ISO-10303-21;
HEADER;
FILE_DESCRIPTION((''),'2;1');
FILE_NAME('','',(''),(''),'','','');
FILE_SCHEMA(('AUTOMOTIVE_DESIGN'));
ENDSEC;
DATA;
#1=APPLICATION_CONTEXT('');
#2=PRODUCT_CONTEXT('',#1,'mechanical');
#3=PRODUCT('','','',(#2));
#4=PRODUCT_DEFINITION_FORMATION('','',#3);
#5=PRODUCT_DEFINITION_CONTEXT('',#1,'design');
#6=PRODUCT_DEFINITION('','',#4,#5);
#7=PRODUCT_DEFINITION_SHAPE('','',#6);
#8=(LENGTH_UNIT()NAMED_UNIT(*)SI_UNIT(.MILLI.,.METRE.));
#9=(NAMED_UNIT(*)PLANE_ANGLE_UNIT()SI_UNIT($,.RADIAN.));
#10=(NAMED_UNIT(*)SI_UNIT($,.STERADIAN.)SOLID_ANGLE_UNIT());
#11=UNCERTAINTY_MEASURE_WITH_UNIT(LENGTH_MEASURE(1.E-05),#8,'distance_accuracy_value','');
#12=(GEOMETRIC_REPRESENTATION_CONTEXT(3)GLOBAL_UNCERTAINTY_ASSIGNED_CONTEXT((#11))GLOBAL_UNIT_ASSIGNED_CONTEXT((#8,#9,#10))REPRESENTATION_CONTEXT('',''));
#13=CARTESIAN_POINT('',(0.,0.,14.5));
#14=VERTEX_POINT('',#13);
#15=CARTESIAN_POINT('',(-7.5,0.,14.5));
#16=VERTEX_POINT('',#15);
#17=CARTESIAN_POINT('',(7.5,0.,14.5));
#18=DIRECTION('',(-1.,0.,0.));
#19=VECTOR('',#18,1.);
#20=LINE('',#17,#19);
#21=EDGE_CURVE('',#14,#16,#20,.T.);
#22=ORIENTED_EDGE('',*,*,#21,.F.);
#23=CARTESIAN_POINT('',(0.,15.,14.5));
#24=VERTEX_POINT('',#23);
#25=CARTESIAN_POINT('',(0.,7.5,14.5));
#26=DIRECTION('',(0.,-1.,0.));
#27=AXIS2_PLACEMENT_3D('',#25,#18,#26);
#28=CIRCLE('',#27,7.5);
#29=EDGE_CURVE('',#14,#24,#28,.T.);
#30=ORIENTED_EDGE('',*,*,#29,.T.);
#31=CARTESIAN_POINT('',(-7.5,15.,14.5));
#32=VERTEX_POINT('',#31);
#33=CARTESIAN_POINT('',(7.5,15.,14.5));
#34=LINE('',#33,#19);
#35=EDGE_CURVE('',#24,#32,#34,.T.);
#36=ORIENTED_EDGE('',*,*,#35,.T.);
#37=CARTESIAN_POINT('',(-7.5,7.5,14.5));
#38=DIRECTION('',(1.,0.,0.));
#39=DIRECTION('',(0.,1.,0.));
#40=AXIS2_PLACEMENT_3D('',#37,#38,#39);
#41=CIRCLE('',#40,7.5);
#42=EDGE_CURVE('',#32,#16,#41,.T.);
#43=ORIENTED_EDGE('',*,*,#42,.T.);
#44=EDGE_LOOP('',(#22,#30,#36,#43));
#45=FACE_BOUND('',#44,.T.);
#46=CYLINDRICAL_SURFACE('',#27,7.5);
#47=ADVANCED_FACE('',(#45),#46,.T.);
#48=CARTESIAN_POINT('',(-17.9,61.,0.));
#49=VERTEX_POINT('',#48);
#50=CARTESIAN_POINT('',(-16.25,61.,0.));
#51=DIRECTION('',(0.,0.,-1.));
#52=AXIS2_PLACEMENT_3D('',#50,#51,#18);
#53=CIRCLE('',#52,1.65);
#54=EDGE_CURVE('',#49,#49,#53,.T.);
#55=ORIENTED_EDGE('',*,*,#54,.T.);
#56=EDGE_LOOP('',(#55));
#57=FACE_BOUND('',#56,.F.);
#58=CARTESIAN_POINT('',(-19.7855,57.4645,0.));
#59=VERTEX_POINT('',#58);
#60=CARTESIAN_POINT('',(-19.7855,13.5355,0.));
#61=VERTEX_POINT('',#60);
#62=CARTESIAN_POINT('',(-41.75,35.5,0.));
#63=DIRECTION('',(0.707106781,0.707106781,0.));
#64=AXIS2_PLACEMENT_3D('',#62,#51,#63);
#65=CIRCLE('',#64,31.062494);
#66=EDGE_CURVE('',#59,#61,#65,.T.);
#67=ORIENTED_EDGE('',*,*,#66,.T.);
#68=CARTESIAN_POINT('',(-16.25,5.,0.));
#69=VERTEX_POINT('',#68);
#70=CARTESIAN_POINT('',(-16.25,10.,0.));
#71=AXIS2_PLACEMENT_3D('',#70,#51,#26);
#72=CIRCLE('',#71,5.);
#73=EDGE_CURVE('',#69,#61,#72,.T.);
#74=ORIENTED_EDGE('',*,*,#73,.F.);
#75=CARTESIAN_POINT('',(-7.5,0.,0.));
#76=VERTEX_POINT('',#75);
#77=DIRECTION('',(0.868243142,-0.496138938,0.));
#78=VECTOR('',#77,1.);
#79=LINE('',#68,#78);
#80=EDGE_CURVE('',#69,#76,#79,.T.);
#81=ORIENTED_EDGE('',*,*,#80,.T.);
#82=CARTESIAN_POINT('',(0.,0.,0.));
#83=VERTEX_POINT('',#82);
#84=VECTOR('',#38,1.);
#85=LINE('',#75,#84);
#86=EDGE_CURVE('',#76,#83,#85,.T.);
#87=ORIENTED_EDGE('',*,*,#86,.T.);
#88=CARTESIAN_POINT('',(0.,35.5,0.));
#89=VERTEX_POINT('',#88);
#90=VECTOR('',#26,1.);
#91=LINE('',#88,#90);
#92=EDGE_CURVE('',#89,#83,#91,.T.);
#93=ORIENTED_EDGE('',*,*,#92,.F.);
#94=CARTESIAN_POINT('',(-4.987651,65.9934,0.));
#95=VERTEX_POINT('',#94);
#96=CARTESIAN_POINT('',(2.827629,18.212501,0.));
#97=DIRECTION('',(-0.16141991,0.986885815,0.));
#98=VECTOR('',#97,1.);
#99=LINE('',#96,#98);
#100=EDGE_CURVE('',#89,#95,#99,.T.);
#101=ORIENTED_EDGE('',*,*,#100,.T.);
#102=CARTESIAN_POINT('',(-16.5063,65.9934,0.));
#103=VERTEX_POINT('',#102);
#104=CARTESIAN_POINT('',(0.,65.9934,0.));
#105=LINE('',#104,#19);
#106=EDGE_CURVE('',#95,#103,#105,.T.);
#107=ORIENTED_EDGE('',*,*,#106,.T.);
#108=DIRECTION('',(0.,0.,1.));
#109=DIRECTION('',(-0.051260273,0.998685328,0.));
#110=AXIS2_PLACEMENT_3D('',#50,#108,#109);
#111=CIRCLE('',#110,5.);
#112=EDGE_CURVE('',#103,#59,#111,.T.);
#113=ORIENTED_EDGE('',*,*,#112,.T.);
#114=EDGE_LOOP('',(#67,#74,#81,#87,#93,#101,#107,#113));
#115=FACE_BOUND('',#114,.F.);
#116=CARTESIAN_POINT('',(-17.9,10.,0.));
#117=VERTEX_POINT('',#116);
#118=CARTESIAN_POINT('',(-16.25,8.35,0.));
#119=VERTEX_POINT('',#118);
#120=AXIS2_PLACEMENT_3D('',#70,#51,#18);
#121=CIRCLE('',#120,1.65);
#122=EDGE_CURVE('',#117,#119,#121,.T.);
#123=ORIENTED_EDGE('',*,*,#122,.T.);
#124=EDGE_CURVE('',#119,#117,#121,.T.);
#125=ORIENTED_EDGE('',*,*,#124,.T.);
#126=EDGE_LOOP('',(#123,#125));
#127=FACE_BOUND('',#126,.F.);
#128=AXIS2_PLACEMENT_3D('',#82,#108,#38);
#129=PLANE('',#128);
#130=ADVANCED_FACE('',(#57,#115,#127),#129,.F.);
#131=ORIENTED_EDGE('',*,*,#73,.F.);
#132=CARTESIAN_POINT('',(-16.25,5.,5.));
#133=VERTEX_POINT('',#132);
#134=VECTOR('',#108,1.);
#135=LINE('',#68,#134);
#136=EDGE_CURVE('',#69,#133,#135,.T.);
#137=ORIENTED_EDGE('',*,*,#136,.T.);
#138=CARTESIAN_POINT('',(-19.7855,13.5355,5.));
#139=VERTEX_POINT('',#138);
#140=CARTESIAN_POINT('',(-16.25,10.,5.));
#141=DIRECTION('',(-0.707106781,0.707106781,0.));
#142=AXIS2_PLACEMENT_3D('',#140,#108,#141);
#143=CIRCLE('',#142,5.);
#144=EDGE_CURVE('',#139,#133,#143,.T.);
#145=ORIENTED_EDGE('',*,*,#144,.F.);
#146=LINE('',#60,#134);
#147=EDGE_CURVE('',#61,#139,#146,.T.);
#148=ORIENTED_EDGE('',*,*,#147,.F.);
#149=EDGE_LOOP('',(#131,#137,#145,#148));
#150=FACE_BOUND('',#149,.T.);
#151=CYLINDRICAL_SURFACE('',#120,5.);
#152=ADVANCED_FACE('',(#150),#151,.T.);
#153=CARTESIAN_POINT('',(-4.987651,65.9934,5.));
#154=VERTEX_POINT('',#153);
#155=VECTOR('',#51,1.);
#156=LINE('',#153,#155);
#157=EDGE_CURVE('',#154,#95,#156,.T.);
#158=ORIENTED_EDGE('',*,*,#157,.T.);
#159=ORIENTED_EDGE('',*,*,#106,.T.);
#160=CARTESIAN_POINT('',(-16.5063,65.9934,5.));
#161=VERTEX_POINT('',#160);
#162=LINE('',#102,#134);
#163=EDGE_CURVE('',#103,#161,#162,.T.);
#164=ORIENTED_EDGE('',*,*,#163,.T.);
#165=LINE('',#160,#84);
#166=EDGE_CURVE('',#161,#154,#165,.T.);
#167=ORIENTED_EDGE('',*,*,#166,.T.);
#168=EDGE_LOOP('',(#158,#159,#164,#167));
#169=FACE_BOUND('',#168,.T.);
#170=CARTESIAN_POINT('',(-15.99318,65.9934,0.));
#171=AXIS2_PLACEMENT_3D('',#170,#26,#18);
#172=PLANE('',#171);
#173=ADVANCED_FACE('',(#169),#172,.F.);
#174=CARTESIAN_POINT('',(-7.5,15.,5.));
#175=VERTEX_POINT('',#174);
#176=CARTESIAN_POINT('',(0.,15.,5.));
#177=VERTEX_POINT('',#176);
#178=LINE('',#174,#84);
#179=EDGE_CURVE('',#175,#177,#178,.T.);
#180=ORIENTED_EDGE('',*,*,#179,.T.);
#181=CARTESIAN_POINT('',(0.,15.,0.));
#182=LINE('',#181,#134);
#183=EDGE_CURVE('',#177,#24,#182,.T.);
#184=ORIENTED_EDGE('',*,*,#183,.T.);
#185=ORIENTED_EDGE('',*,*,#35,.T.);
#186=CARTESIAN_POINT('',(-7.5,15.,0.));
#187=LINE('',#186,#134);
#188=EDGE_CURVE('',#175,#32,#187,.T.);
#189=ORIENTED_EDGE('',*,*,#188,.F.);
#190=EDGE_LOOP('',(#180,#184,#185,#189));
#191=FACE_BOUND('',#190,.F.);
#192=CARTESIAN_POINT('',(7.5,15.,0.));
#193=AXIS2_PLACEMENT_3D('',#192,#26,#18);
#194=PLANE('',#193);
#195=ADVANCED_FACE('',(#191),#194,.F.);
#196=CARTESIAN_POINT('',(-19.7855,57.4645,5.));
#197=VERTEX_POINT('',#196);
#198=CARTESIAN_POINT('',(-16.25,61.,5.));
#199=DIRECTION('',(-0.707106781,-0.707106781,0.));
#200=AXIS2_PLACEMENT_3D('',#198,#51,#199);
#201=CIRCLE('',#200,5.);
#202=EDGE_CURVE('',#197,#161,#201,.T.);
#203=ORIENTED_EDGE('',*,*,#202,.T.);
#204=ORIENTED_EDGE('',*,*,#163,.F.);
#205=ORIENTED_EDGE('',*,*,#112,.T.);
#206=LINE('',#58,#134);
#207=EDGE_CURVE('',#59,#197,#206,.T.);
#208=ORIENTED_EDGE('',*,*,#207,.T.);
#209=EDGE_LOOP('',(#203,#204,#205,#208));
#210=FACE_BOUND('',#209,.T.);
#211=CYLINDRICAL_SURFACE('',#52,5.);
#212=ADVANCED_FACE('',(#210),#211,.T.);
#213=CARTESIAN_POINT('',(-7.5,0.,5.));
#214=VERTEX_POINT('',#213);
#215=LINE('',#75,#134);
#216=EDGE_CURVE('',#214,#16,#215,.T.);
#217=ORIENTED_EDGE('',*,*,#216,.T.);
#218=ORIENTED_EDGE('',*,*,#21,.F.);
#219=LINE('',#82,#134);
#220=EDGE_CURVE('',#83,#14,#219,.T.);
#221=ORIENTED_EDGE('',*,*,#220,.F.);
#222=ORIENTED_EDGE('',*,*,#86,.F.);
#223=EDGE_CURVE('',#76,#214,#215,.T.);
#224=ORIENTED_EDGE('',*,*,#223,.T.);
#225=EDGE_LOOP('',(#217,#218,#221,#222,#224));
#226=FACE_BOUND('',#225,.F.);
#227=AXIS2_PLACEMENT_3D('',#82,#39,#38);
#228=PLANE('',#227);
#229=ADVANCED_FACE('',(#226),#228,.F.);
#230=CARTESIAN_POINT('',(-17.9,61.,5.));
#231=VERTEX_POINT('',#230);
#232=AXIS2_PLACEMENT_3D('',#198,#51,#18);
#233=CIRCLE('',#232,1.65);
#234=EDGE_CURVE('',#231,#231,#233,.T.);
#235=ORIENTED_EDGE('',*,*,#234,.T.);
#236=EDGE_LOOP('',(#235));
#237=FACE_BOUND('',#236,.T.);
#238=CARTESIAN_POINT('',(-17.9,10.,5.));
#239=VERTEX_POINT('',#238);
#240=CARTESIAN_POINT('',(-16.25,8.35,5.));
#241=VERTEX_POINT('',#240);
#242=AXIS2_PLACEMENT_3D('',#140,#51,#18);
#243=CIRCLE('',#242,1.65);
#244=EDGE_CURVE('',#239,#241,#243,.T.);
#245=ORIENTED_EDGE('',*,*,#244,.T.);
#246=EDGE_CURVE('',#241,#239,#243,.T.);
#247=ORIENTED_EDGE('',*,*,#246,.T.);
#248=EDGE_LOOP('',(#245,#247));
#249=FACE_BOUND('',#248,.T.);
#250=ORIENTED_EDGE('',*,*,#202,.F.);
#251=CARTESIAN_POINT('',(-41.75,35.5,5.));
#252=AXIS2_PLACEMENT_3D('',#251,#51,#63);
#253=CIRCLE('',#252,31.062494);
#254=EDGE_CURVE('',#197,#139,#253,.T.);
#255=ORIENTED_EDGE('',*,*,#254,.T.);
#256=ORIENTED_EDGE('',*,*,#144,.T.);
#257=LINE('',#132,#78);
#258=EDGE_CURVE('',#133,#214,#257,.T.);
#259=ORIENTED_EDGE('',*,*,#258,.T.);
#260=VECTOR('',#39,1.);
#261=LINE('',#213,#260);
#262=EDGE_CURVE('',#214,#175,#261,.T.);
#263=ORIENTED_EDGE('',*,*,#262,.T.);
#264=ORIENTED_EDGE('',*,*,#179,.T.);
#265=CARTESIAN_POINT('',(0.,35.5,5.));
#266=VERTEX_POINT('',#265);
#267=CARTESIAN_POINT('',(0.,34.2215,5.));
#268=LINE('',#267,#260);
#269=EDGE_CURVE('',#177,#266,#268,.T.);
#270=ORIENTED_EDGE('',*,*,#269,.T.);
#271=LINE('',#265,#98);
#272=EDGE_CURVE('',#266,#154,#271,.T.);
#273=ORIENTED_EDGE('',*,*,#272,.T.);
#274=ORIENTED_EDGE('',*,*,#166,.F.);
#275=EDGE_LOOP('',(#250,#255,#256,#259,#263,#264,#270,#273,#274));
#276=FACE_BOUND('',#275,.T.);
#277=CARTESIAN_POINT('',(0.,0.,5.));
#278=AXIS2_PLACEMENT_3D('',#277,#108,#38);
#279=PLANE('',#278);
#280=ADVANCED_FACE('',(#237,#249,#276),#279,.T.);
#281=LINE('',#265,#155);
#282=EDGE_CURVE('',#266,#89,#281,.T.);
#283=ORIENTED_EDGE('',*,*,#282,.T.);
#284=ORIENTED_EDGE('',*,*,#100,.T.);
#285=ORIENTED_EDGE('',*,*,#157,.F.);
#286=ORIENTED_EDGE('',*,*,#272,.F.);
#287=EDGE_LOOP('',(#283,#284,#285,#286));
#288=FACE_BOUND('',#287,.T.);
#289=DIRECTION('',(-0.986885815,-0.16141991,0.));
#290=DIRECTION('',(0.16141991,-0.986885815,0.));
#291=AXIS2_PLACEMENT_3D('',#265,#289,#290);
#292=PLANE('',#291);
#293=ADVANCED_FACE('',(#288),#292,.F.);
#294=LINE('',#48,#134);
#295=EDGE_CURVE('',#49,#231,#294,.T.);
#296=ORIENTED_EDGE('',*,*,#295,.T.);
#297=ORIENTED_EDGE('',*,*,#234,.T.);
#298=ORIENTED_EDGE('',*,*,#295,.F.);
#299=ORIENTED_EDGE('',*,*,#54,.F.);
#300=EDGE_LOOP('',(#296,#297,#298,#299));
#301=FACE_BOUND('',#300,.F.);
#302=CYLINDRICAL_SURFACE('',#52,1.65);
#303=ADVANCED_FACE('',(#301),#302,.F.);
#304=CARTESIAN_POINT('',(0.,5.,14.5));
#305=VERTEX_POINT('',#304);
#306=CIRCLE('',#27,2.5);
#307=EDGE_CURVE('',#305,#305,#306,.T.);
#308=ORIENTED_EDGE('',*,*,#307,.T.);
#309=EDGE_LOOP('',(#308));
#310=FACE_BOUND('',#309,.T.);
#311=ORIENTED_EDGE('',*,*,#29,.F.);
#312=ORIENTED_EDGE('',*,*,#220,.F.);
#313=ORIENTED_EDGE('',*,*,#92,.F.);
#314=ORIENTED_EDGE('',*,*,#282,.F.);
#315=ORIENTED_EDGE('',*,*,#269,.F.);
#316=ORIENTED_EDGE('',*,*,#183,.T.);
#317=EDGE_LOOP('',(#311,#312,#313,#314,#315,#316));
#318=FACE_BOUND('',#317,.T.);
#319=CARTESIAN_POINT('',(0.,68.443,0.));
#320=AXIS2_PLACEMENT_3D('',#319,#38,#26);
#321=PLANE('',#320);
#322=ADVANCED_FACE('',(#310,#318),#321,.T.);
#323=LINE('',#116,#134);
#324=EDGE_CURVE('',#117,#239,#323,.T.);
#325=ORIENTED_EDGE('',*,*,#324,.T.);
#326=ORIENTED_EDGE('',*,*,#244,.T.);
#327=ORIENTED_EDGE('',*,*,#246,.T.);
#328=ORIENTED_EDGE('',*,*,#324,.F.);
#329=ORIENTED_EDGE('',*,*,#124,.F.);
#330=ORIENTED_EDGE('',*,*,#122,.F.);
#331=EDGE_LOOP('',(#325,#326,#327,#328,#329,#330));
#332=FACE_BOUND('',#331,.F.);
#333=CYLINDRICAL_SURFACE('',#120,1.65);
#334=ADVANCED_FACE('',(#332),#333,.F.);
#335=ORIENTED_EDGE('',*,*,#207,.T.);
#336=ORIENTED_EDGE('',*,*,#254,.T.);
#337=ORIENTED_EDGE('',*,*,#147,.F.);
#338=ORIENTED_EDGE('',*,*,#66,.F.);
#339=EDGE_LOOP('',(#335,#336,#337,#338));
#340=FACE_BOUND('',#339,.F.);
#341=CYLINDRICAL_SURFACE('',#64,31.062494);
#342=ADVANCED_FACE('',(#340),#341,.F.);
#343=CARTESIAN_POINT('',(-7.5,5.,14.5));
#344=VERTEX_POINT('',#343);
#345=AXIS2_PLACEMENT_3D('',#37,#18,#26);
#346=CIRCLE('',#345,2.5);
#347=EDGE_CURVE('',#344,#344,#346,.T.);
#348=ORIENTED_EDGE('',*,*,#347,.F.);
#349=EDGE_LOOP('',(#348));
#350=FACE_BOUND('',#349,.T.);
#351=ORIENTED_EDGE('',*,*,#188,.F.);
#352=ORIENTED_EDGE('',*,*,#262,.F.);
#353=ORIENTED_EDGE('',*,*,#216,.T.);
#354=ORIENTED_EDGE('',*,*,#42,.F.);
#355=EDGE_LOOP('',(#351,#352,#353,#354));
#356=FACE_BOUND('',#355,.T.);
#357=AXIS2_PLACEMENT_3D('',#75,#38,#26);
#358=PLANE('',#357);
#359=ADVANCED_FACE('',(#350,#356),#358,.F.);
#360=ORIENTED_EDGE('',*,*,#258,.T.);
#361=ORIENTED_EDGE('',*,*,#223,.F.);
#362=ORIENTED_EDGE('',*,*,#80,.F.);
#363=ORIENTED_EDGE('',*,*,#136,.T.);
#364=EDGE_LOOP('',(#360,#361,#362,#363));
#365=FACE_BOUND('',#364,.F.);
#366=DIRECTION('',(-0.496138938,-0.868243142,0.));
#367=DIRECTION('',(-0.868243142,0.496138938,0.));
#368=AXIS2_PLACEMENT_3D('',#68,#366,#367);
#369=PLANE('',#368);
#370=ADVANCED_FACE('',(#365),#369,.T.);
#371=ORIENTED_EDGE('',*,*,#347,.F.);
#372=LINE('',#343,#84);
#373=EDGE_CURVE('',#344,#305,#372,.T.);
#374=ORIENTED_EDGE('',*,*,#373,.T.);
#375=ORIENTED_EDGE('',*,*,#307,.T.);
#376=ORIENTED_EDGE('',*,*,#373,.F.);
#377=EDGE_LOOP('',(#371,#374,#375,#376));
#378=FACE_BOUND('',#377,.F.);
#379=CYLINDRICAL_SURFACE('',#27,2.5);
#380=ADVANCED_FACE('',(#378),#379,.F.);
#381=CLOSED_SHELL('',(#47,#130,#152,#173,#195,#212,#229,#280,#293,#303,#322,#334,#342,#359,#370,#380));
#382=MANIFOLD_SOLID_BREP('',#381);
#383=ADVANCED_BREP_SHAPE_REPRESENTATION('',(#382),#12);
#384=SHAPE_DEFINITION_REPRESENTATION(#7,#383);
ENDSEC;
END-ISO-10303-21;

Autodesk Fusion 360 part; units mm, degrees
sketch "Esquisse1" plane through (0, 0, 0) normal (0, 0, 1) x (1, 0, 0)
  circle A0 centre (16.25, 10) radius 1.65
  circle A1 centre (16.25, 61) radius 1.65
  circle A2 centre (67.25, 10) radius 1.95
  circle A3 centre (67.25, 61) radius 1.95
  line L0 (67.25, 61) -> (16.25, 10) construction
  line L1 (16.25, 61) -> (67.25, 10) construction
  circle A4 centre (41.75, 35.5) radius 30.5 construction
  circle A5 centre (16.25, 61) radius 5
  circle A6 centre (16.25, 10) radius 5
  arc A7 (19.7855, 57.4645) -> (19.7855, 13.5355) centre (41.75, 35.5) ccw
  line L2 (16.5063, 65.9934) -> (0, 65.9934)
  line L3 (0, 65.9934) -> (0, 0)
  line L4 (0, 0) -> (7.5, 0)
  line L5 (16.25, 10) -> (16.25, 5)
  line L6 (16.25, 5) -> (7.5, 0)
  line L7 (7.5, 0) -> (7.5, 15)
  line L8 (7.5, 15) -> (0, 15)
  dimension "d1" = 3.3
  dimension "d2" = 3.3
  dimension "d3" = 16.25
  dimension "d4" = 16.25
  dimension "d5" = 51
  dimension "d6" = 10
  dimension "d7" = 3.9
  dimension "d8" = 51
  dimension "d9" = 3.9
  dimension "d10" = 51
  dimension "d11" = 51
  dimension "d12" = 61
  dimension "d13" = 10
  dimension "d14" = 10
  dimension "d15" = 7.5
  dimension "d16" = 15
extrude "Extrusion1" add sketch "Esquisse1" along normal blind 22 contours L3 L4 L7 L8 makes body 1
extrude "Extrusion2" add sketch "Esquisse1" along normal blind 5 separate body contours A6 | A5 A6 A7 L2 L3 L6 L7 L8 | A5 L2 picked at (18.7618, 58.051) makes body 2
sketch "Esquisse2" plane through (0, 0, 0) normal (-1, 0, 0) x (0, -1, 0)
  line L0 (-15, 0) -> (0, 0)
  line L1 (0, 0) -> (0, 22)
  line L2 (0, 22) -> (-15, 22)
  line L3 (-15, 22) -> (-15, 0)
  circle A0 centre (-7.5, 14.5) radius 2.5
  arc A1 (0, 14.5) -> (-7.5, 22) centre (-7.5, 14.5) ccw
  arc A2 (-7.5, 22) -> (-15, 14.5) centre (-7.5, 14.5) ccw
  dimension "d21" = 5
  dimension "d22" = 7.5
  dimension "d23" = 7.5
extrude "Extrusion3" cut sketch "Esquisse2" against normal blind 8 contours L2 L3 A2 | L1 L2 A1 | A0 bodies 1
sketch "Esquisse3" plane through (0, 0, 5) normal (0, 0, 1) x (-1, 0, 0)
  circle A0 centre (-16.25, -61) radius 1.65
  circle A1 centre (-16.25, -10) radius 1.65
  arc A2 (-16.25, -5) -> (-19.7855, -13.5355) centre (-16.25, -10) ccw
  arc A3 (-19.7855, -57.4645) -> (-19.7855, -13.5355) centre (-41.75, -35.5) ccw
  arc A4 (-19.7855, -57.4645) -> (-16.5063, -65.9934) centre (-16.25, -61) ccw
  line L0 (-16.5063, -65.9934) -> (0, -65.9934)
  line L1 (0, -65.9934) -> (0, -15)
  line L2 (0, -15) -> (-7.5, -15)
  line L3 (-7.5, -15) -> (-7.5, 0)
  line L4 (-7.5, 0) -> (-16.25, -5)
  line L5 (0, -35.5) -> (-5, -66.0689)
  line L6 (-5, -66.0689) -> (0, -65.9934)
  line L7 (0, -35.5) -> (0, -65.9934)
  dimension "d27" = 5
extrude "Extrusion4" cut sketch "Esquisse3" against normal blind 10 contours L0 L1 L5 L7 bodies 2
mirror "Symétrie miroir2" about plane through (0, 65.9934, 0) normal (-1, 0, 0) of bodies 2 1 merged
sketch "Esquisse4" plane through (0, 0, 0) normal (0, 0, 1) x (1, 0, 0)
  line L0 (0, 0) -> (31.9819, 0)
  line L1 (31.9819, 0) -> (31.9819, 68.443)
  line L2 (31.9819, 68.443) -> (0, 68.443)
  line L3 (0, 68.443) -> (0, 0)
extrude "Extrusion5" cut sketch "Esquisse4" sketch "Esquisse1" along normal blind 30 of sketch 2 contours A5 A6 A7 L2 L3 L6 L7 L8 | L3 L4 L7 L8 | A5 L2 picked at (18.7618, 58.051) bodies 1 2
combine "Combiner1" operation add target body 1 tool bodies 2
equation "d3 = 14.3 mm + 1.95 mm"
